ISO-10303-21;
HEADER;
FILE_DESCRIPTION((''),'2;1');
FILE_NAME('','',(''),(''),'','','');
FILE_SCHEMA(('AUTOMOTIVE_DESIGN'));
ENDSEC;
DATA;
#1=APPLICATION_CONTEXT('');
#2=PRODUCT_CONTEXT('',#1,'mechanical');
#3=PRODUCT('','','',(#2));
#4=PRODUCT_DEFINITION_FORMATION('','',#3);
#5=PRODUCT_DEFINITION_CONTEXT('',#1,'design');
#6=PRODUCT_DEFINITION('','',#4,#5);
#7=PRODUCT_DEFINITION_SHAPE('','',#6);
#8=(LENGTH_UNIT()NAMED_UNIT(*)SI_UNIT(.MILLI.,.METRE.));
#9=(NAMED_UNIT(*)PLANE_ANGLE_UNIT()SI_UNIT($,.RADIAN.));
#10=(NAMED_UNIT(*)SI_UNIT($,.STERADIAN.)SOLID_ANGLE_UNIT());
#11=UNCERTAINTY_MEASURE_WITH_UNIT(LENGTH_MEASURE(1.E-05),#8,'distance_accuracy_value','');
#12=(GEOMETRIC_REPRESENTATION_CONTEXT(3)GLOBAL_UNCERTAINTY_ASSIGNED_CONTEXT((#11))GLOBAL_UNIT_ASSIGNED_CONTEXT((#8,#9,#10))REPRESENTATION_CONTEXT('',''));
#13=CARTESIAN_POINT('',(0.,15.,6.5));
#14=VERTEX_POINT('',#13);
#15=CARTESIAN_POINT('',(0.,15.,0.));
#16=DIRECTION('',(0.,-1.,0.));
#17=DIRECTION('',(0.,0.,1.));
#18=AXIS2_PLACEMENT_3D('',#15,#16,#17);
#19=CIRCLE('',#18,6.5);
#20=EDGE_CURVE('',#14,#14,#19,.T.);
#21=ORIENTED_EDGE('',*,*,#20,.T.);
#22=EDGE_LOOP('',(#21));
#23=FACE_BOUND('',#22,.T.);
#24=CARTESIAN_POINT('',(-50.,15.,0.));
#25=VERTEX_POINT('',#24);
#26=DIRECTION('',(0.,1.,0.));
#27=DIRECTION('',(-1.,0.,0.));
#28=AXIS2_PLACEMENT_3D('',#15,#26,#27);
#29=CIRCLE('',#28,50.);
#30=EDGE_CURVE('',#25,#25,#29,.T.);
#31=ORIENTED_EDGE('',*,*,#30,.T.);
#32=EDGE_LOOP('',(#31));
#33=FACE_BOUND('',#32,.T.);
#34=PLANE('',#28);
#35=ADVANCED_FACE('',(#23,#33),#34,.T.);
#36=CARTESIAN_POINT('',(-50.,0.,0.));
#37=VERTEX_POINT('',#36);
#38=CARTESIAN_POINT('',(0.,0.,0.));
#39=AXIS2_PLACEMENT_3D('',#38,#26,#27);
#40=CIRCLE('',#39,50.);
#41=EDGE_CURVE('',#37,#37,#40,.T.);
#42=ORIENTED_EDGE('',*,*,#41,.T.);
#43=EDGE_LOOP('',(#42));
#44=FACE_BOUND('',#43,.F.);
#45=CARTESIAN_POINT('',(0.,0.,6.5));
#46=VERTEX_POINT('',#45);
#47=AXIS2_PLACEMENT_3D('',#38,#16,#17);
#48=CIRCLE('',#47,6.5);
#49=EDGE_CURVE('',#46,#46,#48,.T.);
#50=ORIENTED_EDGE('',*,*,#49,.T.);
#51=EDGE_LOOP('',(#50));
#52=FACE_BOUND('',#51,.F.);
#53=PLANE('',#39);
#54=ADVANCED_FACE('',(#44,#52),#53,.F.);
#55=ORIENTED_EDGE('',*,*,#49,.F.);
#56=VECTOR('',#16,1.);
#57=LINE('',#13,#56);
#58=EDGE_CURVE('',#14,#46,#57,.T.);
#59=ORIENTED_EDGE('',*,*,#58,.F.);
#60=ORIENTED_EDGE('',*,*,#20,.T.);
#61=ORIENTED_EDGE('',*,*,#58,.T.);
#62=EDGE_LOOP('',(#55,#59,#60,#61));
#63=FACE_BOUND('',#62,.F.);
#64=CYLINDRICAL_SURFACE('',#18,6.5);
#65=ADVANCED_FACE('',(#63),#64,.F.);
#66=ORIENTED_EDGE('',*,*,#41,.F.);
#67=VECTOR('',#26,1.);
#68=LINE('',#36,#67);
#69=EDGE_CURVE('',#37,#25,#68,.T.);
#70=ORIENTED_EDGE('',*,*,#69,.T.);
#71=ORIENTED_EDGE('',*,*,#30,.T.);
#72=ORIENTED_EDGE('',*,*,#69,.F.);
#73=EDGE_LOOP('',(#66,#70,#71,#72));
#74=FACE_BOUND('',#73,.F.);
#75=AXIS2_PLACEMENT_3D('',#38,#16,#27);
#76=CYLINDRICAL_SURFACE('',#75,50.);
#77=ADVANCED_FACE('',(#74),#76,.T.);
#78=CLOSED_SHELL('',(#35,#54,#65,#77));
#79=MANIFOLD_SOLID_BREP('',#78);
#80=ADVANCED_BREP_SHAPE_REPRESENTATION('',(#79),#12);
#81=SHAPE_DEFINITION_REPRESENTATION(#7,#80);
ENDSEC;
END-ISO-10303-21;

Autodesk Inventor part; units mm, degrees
ref_plane "YZ Plane" through (0, 0, 0) normal (1, 0, 0) x (0, 1, 0)
ref_plane "XZ Plane" through (0, 0, 0) normal (0, 1, 0) x (-1, 0, 0)
ref_plane "XY Plane" through (0, 0, 0) normal (0, 0, 1) x (1, 0, 0)
sketch "Sketch1" plane through (0, 0, 0) normal (0, 1, 0) x (-1, 0, 0)
  circle A0 centre (0, 0) radius 50
extrude "Extrusion1" add sketch "Sketch1" along normal blind 15
sketch "Sketch2" plane through (0, 15, 0) normal (0, 1, 0) x (1, 0, 0)
  circle A0 centre (0, 0) radius 30 projected
  circle A1 centre (0, 0) radius 6.5
hole "Hole1" at (0, 15, 0) direction (0, -1, 0) diameter 13 end through all
properties part number "Wheel"
